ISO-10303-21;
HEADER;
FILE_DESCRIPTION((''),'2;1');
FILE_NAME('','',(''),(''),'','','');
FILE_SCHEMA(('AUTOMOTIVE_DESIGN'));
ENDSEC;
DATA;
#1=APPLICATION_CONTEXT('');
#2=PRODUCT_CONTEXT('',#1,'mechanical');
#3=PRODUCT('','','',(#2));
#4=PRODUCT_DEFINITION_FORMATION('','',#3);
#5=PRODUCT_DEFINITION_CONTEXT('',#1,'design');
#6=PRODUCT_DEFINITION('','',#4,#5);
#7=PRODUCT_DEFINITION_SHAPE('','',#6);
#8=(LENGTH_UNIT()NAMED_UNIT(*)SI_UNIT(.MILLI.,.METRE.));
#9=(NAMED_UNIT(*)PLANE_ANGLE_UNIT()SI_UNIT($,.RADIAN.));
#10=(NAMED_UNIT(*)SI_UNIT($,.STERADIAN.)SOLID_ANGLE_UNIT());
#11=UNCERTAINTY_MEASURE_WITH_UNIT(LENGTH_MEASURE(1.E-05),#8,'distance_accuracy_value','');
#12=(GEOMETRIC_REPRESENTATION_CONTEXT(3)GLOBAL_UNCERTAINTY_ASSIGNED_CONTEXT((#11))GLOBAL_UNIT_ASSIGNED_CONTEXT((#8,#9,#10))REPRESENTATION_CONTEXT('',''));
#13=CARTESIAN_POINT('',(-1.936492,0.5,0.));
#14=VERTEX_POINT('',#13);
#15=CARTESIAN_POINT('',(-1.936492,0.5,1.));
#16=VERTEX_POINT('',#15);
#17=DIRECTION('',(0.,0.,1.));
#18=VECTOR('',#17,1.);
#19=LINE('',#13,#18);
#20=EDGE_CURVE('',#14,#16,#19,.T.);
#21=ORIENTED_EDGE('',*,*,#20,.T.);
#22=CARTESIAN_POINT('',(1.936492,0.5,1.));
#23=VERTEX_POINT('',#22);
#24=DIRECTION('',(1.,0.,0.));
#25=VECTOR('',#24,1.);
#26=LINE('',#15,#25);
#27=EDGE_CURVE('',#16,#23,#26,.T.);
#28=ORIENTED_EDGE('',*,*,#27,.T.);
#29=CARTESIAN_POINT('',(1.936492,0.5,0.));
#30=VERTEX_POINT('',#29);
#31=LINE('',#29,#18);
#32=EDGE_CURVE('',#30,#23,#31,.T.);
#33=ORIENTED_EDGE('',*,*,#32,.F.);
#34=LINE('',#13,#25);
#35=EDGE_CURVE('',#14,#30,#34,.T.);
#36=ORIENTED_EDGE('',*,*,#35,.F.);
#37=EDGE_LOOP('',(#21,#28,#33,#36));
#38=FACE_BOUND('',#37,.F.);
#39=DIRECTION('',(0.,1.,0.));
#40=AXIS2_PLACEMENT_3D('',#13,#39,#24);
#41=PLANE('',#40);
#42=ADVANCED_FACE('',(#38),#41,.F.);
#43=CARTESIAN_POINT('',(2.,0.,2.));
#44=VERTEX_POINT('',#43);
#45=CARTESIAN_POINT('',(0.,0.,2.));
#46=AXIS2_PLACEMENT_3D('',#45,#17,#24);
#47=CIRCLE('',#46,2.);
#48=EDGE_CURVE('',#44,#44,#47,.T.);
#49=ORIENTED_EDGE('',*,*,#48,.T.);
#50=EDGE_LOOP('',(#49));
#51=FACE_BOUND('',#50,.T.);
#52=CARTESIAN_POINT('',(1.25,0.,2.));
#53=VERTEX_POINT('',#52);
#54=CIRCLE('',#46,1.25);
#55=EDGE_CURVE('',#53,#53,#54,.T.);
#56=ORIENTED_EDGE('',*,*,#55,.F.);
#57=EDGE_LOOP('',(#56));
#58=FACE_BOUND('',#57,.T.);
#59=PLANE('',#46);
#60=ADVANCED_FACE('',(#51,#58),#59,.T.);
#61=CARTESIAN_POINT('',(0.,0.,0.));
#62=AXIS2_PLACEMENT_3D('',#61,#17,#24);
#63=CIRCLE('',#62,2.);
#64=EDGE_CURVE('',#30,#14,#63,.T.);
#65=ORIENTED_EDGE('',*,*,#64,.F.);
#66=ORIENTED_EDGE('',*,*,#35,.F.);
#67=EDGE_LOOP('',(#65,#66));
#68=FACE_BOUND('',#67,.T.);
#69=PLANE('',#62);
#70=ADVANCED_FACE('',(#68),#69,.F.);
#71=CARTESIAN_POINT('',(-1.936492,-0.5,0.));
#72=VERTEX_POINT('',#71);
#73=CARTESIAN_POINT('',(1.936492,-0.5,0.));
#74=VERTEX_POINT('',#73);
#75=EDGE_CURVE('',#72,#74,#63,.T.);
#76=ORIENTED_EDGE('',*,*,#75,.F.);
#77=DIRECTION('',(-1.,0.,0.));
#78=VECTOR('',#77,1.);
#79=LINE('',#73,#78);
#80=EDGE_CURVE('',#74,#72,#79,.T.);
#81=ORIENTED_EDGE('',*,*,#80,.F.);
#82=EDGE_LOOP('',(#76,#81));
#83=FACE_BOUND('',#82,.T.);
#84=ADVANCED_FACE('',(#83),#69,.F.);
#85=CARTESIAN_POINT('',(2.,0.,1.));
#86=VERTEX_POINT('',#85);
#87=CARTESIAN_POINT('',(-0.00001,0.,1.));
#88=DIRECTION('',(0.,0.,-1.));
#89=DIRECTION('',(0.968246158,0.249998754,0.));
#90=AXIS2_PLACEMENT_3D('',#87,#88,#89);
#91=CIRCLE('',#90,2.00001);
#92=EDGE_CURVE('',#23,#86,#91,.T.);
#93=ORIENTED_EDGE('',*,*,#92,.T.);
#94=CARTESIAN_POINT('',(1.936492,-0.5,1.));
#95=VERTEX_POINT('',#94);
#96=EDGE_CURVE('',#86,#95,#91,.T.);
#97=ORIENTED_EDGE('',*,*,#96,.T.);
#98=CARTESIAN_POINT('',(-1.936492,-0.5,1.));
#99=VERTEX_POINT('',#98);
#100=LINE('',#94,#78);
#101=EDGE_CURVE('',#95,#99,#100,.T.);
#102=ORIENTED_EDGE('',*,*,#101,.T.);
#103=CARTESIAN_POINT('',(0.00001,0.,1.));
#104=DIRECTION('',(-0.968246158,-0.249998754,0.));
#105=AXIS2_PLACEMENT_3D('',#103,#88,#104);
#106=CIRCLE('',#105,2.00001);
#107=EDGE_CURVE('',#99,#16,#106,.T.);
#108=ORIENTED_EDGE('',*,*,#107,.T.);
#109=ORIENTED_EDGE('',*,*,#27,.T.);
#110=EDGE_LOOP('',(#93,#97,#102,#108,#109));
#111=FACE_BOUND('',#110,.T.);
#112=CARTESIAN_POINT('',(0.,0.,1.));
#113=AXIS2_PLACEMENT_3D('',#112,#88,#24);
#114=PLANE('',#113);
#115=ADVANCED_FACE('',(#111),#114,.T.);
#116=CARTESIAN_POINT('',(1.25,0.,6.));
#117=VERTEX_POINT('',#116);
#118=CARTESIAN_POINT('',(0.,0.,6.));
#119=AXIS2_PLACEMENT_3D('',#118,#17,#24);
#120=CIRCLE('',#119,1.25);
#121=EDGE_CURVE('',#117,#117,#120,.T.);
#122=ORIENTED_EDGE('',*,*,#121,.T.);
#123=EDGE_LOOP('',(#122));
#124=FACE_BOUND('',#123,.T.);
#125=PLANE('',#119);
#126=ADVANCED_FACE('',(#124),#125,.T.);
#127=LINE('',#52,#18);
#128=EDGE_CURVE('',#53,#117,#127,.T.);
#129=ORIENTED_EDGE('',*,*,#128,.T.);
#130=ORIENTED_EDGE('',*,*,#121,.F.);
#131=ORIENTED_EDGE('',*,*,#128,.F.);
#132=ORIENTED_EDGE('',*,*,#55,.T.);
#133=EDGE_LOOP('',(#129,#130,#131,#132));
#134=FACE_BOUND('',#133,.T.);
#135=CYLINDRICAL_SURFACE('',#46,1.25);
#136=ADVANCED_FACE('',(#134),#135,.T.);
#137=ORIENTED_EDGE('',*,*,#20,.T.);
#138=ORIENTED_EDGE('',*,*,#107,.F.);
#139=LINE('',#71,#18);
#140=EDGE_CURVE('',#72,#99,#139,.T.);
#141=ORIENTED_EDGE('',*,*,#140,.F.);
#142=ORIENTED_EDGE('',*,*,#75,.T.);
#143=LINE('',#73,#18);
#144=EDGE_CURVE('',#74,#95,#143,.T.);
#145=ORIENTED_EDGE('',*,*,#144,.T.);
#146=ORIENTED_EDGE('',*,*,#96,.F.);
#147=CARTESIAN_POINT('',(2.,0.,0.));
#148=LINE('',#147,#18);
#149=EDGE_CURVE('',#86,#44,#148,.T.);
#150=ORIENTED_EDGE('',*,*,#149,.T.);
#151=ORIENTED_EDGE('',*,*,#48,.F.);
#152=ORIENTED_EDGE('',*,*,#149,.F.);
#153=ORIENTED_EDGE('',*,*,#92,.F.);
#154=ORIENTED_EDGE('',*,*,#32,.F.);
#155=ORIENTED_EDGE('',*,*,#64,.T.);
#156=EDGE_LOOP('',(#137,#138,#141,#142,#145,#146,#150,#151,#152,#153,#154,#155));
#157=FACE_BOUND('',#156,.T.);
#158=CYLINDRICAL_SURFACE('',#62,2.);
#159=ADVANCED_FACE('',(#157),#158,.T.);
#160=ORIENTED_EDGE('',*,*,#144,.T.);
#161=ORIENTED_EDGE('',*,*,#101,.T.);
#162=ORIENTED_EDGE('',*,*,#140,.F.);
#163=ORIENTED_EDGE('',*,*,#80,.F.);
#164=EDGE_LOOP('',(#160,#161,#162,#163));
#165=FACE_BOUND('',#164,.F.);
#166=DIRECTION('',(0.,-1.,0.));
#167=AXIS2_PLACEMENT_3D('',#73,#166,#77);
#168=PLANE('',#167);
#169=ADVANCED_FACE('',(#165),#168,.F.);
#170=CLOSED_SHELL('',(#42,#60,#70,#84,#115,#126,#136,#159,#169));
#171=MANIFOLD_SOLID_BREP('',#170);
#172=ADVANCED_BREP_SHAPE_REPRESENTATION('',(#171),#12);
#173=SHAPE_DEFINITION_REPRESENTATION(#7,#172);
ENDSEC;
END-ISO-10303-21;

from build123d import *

# Parameters (mm, degrees)
F3_DEPTH = 1


with BuildPart() as f1:
    # F0 (on Front) → F1 (revolve)
    with BuildSketch(Plane.XZ):
        Polygon((0, 6), (0, 0), (2, 0), (2, 2), (1.25, 2), (1.25, 6), align=None)
    revolve(axis=Axis((0, 0, 3), (0, 0, 1)))

    # F2 (on face) → F3 (cut)
    with BuildSketch(Plane(origin=(0, 0, 0), x_dir=(1, 0, 0), z_dir=(0, 0, -1))):
        with BuildLine():
            Line((1.936492, 0.5), (-1.936492, 0.5))
            ThreePointArc((-1.936492, 0.5), (-2, 0), (-1.936492, -0.5))
            Line((-1.936492, -0.5), (1.936492, -0.5))
            ThreePointArc((1.936492, -0.5), (2, 0), (1.936492, 0.5))
        make_face()
    extrude(amount=-F3_DEPTH, mode=Mode.SUBTRACT)


solid = f1.part
